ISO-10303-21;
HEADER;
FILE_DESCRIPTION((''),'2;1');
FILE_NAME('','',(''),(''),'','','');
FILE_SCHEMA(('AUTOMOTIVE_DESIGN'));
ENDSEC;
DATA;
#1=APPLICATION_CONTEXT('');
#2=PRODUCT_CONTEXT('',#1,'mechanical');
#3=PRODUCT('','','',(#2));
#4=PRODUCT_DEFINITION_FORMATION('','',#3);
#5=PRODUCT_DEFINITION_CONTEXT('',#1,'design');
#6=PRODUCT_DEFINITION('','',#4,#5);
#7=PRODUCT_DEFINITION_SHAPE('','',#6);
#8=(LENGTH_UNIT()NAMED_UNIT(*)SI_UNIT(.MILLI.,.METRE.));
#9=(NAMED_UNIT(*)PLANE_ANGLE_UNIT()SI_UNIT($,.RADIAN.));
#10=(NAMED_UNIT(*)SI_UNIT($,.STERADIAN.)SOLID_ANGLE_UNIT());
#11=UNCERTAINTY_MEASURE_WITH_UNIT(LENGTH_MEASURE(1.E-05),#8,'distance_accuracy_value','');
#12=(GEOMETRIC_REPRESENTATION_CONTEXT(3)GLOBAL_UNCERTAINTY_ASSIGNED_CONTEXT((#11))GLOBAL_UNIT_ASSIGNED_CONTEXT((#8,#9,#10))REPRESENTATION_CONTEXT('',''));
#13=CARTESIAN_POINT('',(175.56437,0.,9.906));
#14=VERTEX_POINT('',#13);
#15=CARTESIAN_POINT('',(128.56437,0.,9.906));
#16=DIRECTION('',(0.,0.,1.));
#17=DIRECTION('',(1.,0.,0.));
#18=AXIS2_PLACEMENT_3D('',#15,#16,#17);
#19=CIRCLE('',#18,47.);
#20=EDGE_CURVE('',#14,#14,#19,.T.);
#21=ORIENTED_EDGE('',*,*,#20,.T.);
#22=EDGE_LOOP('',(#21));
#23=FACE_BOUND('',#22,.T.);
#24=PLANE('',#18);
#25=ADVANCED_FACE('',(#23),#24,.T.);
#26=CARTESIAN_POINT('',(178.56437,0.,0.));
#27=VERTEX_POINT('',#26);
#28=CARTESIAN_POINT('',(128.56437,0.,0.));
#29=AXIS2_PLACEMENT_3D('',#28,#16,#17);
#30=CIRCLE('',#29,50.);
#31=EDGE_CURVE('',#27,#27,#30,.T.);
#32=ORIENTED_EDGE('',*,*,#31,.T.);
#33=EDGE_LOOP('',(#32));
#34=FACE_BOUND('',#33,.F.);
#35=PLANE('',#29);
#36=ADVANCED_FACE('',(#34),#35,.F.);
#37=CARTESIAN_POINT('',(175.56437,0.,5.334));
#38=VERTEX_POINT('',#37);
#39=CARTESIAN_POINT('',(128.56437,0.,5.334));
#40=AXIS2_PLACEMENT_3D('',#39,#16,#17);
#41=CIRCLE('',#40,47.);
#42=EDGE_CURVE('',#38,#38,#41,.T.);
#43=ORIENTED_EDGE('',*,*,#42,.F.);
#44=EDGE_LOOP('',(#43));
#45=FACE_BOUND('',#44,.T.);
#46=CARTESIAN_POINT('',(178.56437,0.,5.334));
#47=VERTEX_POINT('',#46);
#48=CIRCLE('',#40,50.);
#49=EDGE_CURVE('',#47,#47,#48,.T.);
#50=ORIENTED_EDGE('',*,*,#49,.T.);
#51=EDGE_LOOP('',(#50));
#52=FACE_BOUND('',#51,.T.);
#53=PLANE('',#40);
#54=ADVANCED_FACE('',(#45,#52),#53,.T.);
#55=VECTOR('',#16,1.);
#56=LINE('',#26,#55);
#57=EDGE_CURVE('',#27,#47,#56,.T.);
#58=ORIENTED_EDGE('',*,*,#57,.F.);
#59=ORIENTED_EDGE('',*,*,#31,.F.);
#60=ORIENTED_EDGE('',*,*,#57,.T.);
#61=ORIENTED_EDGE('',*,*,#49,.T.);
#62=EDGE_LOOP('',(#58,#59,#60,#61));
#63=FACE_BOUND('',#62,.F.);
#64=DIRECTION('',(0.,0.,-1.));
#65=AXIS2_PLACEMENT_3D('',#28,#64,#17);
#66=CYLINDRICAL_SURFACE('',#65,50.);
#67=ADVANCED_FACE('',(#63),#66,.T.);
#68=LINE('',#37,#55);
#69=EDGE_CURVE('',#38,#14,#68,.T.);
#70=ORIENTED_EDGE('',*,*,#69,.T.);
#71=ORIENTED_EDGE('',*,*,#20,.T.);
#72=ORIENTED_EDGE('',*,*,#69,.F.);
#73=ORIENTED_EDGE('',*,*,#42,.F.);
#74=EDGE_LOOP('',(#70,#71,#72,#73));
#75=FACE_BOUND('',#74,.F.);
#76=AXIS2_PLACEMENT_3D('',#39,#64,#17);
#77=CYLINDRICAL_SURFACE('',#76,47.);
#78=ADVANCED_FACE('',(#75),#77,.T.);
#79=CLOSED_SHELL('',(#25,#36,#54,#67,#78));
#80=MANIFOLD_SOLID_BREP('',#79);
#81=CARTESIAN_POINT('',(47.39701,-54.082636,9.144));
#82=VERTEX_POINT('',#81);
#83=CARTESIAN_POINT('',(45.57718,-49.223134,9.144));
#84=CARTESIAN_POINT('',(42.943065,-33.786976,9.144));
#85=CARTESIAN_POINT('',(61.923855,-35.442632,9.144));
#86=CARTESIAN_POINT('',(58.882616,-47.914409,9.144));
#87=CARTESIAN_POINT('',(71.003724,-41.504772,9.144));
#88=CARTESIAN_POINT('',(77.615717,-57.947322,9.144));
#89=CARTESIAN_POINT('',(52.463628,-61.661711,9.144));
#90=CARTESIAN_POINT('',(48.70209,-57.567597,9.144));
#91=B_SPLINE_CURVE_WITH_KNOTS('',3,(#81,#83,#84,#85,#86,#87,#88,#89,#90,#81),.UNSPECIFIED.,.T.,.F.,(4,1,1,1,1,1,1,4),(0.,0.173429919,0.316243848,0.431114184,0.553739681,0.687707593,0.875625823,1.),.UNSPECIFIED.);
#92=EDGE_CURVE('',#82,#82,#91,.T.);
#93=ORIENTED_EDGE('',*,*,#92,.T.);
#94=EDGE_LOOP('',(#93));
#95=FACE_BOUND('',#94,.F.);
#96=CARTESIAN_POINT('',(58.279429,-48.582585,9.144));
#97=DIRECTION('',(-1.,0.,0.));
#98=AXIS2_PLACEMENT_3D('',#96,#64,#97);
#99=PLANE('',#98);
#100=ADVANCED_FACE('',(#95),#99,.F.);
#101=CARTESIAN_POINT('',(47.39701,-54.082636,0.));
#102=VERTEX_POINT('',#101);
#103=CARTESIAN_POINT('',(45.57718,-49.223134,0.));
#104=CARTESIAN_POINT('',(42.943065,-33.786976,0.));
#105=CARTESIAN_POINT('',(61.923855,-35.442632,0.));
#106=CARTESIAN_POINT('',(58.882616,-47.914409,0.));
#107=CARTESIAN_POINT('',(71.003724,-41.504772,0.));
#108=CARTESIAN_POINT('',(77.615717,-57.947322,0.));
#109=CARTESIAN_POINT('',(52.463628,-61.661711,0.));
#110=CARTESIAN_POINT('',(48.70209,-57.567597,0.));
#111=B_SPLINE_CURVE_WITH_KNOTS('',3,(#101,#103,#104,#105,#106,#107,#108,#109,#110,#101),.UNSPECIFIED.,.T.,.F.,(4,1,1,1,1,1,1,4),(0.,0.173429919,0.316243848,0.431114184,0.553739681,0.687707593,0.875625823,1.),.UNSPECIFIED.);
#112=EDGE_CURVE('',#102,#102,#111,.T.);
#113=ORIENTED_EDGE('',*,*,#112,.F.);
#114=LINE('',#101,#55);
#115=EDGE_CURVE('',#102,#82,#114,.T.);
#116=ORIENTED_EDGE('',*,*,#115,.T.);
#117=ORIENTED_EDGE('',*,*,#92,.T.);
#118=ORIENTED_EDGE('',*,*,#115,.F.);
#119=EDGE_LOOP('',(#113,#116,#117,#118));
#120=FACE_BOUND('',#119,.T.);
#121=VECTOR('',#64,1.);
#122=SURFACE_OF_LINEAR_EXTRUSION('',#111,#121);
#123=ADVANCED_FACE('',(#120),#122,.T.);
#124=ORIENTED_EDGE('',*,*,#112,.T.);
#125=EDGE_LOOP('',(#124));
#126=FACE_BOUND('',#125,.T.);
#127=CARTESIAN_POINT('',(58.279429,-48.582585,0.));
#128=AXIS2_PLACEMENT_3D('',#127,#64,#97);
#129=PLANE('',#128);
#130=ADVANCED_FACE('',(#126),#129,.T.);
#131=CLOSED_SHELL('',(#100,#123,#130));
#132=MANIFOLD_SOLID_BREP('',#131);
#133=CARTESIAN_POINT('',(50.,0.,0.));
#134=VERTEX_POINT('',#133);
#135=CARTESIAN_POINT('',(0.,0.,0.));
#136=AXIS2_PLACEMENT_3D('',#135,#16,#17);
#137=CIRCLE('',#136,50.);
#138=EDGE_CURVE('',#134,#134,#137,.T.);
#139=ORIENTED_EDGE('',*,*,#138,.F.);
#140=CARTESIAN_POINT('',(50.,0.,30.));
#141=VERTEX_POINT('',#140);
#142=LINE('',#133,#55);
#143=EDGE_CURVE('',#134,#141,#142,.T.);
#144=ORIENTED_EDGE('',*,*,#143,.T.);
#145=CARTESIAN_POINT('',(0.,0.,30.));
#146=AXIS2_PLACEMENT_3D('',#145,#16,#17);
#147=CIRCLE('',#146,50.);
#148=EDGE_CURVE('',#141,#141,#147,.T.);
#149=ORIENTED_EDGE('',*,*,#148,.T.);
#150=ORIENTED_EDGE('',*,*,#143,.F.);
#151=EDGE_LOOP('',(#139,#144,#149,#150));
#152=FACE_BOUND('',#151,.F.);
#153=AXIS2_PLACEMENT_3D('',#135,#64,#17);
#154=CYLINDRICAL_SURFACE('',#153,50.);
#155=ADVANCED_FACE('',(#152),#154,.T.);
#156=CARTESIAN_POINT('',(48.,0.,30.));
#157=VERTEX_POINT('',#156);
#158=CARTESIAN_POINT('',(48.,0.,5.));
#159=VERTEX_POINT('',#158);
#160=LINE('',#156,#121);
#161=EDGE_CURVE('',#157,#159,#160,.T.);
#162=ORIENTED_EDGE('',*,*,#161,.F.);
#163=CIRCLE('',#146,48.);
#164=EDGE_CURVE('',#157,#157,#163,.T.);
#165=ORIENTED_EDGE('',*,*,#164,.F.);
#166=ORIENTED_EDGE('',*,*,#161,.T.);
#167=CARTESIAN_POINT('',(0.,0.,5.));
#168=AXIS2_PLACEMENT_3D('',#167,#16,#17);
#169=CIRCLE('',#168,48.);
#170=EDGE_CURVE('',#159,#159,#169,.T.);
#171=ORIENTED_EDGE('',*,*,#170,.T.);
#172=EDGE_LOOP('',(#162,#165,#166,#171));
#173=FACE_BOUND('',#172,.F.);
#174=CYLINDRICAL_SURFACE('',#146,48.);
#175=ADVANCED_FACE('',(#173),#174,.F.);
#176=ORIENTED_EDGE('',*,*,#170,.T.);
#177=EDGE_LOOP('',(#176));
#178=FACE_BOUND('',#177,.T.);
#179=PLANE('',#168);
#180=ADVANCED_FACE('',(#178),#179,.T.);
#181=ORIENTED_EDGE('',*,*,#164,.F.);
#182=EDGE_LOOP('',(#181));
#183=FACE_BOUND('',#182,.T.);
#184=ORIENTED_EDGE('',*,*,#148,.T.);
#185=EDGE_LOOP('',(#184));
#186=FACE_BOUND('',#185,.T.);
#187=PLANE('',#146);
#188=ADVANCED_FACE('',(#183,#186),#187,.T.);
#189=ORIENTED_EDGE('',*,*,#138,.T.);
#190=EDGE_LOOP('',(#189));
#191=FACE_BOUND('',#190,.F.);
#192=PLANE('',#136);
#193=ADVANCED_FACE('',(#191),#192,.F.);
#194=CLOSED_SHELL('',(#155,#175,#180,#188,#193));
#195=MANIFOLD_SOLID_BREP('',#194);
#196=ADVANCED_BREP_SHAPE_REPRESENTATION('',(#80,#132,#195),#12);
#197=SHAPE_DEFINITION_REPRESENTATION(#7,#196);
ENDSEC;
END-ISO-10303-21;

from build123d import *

# Parameters (mm, degrees)
F0_R      = 50
F1_DEPTH  = 30
F2_R      = 48
F3_DEPTH  = 25
F4_R      = 50
F5_DEPTH  = 5.334
F6_R      = 47
F7_DEPTH  = 4.572
F10_DEPTH = 9.144


with BuildPart() as f1:
    # F0 (on Top) → F1 (new body)
    with BuildSketch(Plane.XY):
        Circle(F0_R)
    extrude(amount=F1_DEPTH)

    # F2 (on face) → F3 (cut)
    with BuildSketch(Plane.XY.offset(30)):
        Circle(F2_R)
    extrude(amount=-F3_DEPTH, mode=Mode.SUBTRACT)


with BuildPart() as f5:
    # F4 (on Top) → F5 (new body)
    with BuildSketch(Plane.XY):
        with Locations((128.5643698645, 0)):
            Circle(F4_R)
    extrude(amount=F5_DEPTH)

    # F6 (on face) → F7 (join)
    with BuildSketch(Plane.XY.offset(5.334)):
        with Locations((128.5643698645, 0)):
            Circle(F6_R)
    extrude(amount=F7_DEPTH)


with BuildPart() as f10:
    # F8 (on Top) → F10 (new body)
    with BuildSketch(Plane.XY):
        with BuildLine():
            add(Edge.make_bspline(
                [(47.3970100284, -54.0826357901), (45.5771799385, -49.2231335643), (42.9430653457, -33.7869758737), (61.9238546558, -35.442631761), (58.8826161694, -47.9144089127), (71.0037238079, -41.5047722569), (77.6157174697, -57.9473224184), (52.4636281566, -61.6617105691), (48.7020897439, -57.5675972807), (47.3970100284, -54.0826357901)],
                knots=[0, 0, 0, 0, 0.173429919, 0.3162438477, 0.4311141836, 0.5537396811, 0.6877075935, 0.8756258232, 1, 1, 1, 1], degree=3))
        make_face()
    extrude(amount=F10_DEPTH)


solid = Compound([f1.part, f5.part, f10.part])
